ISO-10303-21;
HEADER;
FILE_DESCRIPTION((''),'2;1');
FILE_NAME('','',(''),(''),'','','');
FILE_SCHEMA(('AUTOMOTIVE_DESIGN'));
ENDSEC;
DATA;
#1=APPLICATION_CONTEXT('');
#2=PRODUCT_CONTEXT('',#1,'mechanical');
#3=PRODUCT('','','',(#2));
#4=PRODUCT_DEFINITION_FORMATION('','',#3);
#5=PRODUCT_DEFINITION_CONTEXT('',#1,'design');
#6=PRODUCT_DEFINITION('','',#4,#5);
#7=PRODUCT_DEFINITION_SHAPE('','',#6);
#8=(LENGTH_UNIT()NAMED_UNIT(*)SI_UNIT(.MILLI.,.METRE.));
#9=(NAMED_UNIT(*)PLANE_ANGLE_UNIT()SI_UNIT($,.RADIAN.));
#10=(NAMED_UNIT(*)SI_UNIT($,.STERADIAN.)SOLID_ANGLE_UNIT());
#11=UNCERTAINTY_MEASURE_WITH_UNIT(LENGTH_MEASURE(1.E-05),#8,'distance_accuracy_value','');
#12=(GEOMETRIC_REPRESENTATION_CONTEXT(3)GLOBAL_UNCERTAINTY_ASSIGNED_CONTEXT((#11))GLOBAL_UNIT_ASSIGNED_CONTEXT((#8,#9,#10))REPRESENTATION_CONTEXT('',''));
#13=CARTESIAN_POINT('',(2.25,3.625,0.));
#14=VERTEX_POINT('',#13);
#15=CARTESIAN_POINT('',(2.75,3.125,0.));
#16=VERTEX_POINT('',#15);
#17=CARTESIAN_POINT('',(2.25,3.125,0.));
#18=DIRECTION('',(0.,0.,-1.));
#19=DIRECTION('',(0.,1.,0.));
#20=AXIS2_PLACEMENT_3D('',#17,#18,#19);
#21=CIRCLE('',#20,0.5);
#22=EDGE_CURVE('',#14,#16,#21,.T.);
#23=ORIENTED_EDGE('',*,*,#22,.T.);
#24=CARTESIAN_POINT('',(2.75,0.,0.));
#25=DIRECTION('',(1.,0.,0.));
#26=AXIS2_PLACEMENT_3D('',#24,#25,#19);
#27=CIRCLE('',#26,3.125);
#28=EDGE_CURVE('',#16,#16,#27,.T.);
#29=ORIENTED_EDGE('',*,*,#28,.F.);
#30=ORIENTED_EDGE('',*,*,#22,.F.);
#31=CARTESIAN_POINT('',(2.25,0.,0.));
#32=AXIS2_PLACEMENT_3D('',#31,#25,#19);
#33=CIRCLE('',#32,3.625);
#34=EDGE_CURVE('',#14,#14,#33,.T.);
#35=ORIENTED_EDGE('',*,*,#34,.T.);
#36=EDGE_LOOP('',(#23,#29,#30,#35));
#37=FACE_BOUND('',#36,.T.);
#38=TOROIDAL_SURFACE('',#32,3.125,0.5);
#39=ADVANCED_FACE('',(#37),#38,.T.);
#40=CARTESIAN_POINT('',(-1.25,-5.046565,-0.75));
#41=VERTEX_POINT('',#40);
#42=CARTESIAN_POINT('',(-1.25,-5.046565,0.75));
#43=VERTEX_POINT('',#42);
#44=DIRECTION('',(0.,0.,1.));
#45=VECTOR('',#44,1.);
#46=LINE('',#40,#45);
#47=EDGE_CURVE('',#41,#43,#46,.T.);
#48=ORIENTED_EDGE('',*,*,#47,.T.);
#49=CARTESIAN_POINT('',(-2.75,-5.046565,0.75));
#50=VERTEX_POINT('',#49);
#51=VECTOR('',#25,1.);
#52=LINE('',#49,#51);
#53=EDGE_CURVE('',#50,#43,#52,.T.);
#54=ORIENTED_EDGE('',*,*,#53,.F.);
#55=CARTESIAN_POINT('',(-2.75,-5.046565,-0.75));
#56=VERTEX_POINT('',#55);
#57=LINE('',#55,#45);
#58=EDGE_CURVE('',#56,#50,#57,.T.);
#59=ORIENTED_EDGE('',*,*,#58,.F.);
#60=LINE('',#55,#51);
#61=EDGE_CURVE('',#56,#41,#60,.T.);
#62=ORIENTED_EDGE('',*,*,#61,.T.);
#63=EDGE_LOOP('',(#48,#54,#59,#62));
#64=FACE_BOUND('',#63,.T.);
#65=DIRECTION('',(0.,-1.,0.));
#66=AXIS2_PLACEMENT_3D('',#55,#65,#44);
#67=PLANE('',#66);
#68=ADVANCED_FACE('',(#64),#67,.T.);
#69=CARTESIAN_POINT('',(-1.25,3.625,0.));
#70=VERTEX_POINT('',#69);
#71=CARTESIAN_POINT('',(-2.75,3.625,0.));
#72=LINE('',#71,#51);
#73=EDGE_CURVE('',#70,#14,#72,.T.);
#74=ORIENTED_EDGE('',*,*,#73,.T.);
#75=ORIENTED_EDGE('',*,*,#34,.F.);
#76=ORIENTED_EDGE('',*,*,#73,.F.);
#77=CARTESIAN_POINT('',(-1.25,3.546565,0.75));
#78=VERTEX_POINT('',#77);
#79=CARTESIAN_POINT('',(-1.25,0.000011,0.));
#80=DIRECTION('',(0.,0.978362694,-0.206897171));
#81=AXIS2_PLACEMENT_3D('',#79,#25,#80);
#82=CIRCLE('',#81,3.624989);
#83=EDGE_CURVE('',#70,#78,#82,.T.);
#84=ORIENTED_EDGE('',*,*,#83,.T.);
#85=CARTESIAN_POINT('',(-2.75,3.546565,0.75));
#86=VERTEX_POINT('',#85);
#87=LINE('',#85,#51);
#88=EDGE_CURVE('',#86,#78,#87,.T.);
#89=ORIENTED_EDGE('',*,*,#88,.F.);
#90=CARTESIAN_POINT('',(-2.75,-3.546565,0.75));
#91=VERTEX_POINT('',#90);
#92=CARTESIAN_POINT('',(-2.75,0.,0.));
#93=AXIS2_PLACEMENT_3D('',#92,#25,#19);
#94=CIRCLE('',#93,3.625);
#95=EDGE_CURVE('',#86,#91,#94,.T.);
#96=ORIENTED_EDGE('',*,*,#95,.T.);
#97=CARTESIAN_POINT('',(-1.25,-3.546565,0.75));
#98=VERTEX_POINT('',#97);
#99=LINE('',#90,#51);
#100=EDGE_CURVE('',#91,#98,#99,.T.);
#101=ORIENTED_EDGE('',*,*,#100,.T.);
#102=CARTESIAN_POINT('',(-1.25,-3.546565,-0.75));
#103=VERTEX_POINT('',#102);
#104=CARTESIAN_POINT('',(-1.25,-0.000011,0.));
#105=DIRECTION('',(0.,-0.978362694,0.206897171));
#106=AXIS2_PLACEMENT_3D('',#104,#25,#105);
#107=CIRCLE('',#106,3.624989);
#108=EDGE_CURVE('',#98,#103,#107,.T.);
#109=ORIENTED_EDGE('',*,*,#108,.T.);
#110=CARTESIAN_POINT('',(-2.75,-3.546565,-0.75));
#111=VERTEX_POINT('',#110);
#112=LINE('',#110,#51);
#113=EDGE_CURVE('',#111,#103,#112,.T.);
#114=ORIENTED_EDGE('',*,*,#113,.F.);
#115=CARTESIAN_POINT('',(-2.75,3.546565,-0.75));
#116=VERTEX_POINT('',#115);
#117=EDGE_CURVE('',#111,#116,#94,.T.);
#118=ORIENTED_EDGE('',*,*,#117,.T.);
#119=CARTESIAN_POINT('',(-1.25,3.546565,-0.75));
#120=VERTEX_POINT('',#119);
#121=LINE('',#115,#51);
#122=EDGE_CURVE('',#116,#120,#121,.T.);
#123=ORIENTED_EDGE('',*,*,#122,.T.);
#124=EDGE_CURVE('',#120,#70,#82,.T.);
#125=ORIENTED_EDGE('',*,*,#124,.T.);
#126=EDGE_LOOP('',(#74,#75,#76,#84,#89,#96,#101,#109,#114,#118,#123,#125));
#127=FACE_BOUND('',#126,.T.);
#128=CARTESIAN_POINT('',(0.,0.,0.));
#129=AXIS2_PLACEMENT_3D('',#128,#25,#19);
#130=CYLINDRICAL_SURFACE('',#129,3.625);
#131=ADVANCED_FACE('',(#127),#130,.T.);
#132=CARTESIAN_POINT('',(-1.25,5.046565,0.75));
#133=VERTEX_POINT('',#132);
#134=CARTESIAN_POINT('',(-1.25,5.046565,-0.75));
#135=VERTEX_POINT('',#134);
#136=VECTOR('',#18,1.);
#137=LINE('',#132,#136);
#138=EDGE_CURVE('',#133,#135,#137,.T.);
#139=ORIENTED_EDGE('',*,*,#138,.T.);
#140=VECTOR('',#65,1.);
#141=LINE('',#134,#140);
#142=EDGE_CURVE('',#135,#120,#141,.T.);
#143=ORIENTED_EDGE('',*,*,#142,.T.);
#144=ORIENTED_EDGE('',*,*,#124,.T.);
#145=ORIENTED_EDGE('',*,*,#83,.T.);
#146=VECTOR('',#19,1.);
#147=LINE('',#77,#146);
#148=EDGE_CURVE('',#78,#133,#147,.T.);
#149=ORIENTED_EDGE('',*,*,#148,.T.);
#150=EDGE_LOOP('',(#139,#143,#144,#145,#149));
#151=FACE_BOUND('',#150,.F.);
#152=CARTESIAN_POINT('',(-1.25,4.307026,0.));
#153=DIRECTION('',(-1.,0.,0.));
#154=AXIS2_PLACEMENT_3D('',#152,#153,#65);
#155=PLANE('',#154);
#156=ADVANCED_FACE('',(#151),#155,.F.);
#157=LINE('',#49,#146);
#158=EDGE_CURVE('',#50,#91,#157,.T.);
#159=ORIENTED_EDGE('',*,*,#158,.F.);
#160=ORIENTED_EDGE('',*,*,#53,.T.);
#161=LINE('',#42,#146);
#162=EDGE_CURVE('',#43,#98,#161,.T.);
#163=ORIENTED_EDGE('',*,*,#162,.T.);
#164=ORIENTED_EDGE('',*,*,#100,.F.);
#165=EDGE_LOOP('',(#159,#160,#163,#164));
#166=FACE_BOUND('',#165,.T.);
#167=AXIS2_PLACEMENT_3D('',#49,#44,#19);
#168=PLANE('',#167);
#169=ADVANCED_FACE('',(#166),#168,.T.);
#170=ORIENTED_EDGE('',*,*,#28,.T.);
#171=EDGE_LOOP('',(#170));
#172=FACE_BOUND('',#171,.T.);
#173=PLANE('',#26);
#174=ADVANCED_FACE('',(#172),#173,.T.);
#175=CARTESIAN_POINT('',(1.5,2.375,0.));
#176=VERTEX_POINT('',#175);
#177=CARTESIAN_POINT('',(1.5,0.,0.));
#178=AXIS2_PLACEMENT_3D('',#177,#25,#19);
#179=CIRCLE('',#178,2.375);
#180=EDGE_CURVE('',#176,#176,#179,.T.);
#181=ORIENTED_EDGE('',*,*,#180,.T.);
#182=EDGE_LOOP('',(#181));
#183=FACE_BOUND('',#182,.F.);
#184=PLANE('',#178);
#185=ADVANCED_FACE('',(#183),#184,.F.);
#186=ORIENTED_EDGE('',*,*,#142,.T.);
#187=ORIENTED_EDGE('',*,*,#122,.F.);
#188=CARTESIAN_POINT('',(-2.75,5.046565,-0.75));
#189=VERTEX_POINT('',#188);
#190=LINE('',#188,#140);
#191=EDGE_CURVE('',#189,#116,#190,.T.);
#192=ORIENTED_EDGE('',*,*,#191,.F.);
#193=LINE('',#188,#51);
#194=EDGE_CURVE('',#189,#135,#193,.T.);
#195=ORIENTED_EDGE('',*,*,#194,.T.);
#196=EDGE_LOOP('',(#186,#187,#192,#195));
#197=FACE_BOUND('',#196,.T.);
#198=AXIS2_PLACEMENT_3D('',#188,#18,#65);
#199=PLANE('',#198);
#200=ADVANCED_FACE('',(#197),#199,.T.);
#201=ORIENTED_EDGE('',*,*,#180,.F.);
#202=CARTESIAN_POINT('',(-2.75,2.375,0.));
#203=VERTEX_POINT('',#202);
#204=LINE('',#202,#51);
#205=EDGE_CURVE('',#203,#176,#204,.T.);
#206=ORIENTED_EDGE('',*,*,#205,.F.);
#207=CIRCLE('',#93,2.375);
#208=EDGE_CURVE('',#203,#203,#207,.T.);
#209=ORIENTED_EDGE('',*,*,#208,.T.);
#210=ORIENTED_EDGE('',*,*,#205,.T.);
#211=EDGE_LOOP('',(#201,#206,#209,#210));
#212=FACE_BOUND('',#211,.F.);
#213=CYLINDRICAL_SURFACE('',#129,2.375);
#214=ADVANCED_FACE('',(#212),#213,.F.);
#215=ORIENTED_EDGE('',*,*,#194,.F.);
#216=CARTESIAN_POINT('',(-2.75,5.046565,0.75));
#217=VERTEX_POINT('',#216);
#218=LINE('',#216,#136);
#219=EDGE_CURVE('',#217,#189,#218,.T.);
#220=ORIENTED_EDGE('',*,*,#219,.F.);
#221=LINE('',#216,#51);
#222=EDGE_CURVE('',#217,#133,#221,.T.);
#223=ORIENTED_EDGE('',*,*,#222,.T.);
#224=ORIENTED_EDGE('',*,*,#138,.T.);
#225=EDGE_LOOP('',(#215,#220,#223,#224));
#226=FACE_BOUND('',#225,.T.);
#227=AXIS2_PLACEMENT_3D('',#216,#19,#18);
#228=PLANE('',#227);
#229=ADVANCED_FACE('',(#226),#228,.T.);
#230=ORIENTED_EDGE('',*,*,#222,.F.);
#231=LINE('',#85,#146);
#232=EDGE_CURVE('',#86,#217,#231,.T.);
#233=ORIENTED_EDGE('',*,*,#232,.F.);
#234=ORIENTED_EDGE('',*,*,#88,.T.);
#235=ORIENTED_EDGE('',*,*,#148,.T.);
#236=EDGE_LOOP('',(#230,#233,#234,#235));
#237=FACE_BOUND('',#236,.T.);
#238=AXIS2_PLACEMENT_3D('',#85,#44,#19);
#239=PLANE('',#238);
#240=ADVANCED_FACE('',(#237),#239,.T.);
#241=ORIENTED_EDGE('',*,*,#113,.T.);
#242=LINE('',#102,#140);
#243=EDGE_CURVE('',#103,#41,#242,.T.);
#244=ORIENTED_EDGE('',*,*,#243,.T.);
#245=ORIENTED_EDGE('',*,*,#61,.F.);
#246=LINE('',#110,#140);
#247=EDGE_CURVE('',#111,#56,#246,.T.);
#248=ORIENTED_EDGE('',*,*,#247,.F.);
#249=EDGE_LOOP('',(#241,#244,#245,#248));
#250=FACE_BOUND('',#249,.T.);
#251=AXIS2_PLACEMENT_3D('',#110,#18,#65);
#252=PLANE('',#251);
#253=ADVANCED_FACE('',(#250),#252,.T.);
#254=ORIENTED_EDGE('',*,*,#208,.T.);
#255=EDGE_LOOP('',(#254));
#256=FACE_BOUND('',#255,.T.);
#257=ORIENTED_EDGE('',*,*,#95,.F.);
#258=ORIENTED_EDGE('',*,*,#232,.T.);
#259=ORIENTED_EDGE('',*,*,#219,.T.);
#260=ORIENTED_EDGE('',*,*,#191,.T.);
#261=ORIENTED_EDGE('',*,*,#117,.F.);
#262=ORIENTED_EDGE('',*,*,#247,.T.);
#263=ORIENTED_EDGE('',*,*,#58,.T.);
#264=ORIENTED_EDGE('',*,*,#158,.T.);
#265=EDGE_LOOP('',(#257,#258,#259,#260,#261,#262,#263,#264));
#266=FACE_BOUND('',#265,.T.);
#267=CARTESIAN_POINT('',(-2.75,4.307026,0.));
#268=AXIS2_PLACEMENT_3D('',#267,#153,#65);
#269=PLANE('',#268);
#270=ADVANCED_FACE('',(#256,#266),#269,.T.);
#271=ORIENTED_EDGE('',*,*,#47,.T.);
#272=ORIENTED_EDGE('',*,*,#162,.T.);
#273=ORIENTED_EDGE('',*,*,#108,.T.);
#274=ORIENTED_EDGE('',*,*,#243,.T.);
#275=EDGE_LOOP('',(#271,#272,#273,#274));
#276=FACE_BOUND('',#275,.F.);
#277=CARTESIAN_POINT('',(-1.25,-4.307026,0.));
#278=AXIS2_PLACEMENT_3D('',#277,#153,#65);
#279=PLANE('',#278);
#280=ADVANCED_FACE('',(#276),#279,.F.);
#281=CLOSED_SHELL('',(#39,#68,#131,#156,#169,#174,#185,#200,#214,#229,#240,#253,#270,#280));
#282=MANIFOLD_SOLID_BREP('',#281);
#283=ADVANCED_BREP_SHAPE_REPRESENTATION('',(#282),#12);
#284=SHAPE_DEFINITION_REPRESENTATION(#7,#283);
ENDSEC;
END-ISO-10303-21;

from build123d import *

# Parameters (mm, degrees)
F0_R     = 3.625
F1_DEPTH = 2.75
F2_R     = 0.5
F3_T     = -1.25
F5_DEPTH = 1.5


with BuildPart() as f1:
    # F0 (on Right) → F1 (new body, symmetric)
    with BuildSketch(Plane.YZ):
        Circle(F0_R)
    extrude(amount=F1_DEPTH, both=True)

    # F2
    f2_edges = [f1.edges().sort_by_distance(p)[0] for p in [
        (2.75, -3.625, 0),
    ]]
    fillet(f2_edges, radius=F2_R)

    # F3
    f3_openings = [f1.faces().sort_by_distance(p)[0] for p in [
        (-2.75, 0, 0),
    ]]
    offset(amount=F3_T, openings=f3_openings)

    # F4 (on face) → F5 (join)
    with BuildSketch(Plane(origin=(-2.75, 0, 0), x_dir=(0, -1, 0), z_dir=(-1, 0, 0))):
        with BuildLine():
            Line((3.546565, -0.75), (5.046565, -0.75))
            Line((5.046565, -0.75), (5.046565, 0.75))
            Line((5.046565, 0.75), (3.546565, 0.75))
            ThreePointArc((3.546565, 0.75), (3.625, 0), (3.546565, -0.75))
        make_face()
        with BuildLine():
            Line((-3.546565, 0.75), (-5.046565, 0.75))
            Line((-5.046565, 0.75), (-5.046565, -0.75))
            Line((-5.046565, -0.75), (-3.546565, -0.75))
            ThreePointArc((-3.546565, -0.75), (-3.625, 0), (-3.546565, 0.75))
        make_face()
    extrude(amount=-F5_DEPTH)


solid = f1.part
